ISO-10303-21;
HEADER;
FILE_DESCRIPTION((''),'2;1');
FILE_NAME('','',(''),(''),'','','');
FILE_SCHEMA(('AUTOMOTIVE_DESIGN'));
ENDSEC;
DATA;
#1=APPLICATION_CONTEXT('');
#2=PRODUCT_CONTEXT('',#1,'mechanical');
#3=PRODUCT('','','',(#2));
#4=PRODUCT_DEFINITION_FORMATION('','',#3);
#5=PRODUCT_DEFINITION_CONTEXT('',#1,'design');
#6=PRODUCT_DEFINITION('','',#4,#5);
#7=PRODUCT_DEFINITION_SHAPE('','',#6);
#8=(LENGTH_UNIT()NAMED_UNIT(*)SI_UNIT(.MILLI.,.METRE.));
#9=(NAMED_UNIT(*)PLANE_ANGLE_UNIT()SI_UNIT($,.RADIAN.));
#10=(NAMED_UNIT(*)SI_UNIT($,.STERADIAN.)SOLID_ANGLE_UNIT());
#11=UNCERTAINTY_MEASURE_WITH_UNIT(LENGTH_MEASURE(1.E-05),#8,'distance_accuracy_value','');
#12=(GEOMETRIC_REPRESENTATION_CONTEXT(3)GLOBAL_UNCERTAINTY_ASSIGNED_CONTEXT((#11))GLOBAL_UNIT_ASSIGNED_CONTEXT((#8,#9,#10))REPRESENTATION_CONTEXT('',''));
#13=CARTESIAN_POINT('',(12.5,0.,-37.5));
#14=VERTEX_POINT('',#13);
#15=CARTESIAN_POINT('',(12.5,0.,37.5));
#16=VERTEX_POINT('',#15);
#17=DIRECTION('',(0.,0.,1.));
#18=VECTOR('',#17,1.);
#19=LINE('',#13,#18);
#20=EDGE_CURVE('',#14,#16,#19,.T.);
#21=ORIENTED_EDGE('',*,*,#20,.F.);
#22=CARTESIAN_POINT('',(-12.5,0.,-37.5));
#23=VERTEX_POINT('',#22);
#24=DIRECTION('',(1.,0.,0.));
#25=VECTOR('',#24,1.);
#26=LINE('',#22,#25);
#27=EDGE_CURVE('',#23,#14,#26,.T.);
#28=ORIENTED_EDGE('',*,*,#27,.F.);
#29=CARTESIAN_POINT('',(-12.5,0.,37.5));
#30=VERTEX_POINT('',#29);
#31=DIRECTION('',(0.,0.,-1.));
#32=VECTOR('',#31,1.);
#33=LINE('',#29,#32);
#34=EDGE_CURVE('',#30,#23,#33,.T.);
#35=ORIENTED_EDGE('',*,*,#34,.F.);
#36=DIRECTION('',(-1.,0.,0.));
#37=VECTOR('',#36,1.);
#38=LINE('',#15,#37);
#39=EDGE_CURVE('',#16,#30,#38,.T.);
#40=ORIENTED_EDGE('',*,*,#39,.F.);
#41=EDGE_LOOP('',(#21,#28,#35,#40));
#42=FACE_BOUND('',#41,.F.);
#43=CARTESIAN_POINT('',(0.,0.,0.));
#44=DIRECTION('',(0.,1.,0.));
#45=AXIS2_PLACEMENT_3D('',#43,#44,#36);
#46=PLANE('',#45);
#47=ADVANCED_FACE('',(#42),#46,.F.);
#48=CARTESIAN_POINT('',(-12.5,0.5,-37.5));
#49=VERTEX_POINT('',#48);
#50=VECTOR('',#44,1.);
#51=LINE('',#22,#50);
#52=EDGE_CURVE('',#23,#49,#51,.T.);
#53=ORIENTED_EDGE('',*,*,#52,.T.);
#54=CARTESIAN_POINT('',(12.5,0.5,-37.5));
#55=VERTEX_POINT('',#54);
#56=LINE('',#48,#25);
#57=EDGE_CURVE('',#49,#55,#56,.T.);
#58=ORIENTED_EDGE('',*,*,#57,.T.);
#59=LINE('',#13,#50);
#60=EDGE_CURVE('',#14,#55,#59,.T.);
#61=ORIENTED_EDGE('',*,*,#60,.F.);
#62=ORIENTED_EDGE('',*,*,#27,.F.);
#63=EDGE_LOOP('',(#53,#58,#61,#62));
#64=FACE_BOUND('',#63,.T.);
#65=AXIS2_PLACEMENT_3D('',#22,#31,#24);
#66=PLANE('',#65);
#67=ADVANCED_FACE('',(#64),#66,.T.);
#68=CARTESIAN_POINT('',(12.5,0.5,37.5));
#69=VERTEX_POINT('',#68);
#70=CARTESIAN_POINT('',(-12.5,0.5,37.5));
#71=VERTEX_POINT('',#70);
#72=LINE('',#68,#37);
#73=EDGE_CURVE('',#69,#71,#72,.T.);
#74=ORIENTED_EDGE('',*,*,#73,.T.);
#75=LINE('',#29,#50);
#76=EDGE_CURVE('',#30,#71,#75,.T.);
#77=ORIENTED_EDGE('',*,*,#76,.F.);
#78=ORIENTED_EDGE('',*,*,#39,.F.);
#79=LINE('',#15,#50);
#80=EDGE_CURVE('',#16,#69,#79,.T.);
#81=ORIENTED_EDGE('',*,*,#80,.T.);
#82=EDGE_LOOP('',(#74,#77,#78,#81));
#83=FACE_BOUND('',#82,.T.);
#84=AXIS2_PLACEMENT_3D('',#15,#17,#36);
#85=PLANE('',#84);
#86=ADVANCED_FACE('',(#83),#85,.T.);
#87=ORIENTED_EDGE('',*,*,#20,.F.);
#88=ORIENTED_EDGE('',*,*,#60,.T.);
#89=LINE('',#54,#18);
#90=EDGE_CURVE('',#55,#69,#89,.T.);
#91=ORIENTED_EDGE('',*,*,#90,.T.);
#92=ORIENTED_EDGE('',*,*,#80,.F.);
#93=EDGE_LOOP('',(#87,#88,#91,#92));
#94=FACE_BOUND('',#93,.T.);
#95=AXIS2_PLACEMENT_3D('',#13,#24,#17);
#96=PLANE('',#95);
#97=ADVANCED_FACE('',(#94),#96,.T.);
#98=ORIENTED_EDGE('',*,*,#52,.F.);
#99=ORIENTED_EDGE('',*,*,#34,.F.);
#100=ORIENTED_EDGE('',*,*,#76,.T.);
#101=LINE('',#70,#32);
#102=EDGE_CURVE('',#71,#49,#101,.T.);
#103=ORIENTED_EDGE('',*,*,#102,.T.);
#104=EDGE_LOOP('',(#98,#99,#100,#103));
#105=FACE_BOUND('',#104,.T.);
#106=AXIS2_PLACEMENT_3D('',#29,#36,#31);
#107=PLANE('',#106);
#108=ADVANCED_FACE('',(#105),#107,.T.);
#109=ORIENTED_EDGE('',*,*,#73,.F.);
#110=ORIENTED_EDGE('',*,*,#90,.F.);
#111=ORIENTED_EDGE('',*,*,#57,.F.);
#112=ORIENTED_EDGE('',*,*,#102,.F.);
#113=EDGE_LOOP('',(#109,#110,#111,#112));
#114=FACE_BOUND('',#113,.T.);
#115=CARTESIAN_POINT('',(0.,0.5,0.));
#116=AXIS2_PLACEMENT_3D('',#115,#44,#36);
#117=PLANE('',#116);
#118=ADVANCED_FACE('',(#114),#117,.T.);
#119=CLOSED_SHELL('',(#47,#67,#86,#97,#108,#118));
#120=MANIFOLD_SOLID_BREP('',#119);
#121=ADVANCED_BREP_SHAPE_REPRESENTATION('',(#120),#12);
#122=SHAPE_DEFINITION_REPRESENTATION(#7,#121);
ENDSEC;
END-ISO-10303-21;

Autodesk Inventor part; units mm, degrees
ref_plane "YZ Plane" through (0, 0, 0) normal (1, 0, 0) x (0, 1, 0)
ref_plane "XZ Plane" through (0, 0, 0) normal (0, 1, 0) x (-1, 0, 0)
ref_plane "XY Plane" through (0, 0, 0) normal (0, 0, 1) x (1, 0, 0)
sketch "Sketch1" plane through (0, 0, 0) normal (0, 1, 0) x (-1, 0, 0)
  line L0 (-12.5, 37.5) -> (12.5, 37.5)
  line L1 (12.5, 37.5) -> (12.5, -37.5)
  line L2 (12.5, -37.5) -> (-12.5, -37.5)
  line L3 (-12.5, -37.5) -> (-12.5, 37.5)
  line L4 (-12.5, 37.5) -> (12.5, -37.5) construction
  line L5 (12.5, 37.5) -> (-12.5, -37.5) construction
  point P0 (0, 0)
  dimension "d0" = 75
  dimension "d1" = 25
extrude "Extrusion1" add sketch "Sketch1" along normal blind 0.5
properties part number "Coverslip"
